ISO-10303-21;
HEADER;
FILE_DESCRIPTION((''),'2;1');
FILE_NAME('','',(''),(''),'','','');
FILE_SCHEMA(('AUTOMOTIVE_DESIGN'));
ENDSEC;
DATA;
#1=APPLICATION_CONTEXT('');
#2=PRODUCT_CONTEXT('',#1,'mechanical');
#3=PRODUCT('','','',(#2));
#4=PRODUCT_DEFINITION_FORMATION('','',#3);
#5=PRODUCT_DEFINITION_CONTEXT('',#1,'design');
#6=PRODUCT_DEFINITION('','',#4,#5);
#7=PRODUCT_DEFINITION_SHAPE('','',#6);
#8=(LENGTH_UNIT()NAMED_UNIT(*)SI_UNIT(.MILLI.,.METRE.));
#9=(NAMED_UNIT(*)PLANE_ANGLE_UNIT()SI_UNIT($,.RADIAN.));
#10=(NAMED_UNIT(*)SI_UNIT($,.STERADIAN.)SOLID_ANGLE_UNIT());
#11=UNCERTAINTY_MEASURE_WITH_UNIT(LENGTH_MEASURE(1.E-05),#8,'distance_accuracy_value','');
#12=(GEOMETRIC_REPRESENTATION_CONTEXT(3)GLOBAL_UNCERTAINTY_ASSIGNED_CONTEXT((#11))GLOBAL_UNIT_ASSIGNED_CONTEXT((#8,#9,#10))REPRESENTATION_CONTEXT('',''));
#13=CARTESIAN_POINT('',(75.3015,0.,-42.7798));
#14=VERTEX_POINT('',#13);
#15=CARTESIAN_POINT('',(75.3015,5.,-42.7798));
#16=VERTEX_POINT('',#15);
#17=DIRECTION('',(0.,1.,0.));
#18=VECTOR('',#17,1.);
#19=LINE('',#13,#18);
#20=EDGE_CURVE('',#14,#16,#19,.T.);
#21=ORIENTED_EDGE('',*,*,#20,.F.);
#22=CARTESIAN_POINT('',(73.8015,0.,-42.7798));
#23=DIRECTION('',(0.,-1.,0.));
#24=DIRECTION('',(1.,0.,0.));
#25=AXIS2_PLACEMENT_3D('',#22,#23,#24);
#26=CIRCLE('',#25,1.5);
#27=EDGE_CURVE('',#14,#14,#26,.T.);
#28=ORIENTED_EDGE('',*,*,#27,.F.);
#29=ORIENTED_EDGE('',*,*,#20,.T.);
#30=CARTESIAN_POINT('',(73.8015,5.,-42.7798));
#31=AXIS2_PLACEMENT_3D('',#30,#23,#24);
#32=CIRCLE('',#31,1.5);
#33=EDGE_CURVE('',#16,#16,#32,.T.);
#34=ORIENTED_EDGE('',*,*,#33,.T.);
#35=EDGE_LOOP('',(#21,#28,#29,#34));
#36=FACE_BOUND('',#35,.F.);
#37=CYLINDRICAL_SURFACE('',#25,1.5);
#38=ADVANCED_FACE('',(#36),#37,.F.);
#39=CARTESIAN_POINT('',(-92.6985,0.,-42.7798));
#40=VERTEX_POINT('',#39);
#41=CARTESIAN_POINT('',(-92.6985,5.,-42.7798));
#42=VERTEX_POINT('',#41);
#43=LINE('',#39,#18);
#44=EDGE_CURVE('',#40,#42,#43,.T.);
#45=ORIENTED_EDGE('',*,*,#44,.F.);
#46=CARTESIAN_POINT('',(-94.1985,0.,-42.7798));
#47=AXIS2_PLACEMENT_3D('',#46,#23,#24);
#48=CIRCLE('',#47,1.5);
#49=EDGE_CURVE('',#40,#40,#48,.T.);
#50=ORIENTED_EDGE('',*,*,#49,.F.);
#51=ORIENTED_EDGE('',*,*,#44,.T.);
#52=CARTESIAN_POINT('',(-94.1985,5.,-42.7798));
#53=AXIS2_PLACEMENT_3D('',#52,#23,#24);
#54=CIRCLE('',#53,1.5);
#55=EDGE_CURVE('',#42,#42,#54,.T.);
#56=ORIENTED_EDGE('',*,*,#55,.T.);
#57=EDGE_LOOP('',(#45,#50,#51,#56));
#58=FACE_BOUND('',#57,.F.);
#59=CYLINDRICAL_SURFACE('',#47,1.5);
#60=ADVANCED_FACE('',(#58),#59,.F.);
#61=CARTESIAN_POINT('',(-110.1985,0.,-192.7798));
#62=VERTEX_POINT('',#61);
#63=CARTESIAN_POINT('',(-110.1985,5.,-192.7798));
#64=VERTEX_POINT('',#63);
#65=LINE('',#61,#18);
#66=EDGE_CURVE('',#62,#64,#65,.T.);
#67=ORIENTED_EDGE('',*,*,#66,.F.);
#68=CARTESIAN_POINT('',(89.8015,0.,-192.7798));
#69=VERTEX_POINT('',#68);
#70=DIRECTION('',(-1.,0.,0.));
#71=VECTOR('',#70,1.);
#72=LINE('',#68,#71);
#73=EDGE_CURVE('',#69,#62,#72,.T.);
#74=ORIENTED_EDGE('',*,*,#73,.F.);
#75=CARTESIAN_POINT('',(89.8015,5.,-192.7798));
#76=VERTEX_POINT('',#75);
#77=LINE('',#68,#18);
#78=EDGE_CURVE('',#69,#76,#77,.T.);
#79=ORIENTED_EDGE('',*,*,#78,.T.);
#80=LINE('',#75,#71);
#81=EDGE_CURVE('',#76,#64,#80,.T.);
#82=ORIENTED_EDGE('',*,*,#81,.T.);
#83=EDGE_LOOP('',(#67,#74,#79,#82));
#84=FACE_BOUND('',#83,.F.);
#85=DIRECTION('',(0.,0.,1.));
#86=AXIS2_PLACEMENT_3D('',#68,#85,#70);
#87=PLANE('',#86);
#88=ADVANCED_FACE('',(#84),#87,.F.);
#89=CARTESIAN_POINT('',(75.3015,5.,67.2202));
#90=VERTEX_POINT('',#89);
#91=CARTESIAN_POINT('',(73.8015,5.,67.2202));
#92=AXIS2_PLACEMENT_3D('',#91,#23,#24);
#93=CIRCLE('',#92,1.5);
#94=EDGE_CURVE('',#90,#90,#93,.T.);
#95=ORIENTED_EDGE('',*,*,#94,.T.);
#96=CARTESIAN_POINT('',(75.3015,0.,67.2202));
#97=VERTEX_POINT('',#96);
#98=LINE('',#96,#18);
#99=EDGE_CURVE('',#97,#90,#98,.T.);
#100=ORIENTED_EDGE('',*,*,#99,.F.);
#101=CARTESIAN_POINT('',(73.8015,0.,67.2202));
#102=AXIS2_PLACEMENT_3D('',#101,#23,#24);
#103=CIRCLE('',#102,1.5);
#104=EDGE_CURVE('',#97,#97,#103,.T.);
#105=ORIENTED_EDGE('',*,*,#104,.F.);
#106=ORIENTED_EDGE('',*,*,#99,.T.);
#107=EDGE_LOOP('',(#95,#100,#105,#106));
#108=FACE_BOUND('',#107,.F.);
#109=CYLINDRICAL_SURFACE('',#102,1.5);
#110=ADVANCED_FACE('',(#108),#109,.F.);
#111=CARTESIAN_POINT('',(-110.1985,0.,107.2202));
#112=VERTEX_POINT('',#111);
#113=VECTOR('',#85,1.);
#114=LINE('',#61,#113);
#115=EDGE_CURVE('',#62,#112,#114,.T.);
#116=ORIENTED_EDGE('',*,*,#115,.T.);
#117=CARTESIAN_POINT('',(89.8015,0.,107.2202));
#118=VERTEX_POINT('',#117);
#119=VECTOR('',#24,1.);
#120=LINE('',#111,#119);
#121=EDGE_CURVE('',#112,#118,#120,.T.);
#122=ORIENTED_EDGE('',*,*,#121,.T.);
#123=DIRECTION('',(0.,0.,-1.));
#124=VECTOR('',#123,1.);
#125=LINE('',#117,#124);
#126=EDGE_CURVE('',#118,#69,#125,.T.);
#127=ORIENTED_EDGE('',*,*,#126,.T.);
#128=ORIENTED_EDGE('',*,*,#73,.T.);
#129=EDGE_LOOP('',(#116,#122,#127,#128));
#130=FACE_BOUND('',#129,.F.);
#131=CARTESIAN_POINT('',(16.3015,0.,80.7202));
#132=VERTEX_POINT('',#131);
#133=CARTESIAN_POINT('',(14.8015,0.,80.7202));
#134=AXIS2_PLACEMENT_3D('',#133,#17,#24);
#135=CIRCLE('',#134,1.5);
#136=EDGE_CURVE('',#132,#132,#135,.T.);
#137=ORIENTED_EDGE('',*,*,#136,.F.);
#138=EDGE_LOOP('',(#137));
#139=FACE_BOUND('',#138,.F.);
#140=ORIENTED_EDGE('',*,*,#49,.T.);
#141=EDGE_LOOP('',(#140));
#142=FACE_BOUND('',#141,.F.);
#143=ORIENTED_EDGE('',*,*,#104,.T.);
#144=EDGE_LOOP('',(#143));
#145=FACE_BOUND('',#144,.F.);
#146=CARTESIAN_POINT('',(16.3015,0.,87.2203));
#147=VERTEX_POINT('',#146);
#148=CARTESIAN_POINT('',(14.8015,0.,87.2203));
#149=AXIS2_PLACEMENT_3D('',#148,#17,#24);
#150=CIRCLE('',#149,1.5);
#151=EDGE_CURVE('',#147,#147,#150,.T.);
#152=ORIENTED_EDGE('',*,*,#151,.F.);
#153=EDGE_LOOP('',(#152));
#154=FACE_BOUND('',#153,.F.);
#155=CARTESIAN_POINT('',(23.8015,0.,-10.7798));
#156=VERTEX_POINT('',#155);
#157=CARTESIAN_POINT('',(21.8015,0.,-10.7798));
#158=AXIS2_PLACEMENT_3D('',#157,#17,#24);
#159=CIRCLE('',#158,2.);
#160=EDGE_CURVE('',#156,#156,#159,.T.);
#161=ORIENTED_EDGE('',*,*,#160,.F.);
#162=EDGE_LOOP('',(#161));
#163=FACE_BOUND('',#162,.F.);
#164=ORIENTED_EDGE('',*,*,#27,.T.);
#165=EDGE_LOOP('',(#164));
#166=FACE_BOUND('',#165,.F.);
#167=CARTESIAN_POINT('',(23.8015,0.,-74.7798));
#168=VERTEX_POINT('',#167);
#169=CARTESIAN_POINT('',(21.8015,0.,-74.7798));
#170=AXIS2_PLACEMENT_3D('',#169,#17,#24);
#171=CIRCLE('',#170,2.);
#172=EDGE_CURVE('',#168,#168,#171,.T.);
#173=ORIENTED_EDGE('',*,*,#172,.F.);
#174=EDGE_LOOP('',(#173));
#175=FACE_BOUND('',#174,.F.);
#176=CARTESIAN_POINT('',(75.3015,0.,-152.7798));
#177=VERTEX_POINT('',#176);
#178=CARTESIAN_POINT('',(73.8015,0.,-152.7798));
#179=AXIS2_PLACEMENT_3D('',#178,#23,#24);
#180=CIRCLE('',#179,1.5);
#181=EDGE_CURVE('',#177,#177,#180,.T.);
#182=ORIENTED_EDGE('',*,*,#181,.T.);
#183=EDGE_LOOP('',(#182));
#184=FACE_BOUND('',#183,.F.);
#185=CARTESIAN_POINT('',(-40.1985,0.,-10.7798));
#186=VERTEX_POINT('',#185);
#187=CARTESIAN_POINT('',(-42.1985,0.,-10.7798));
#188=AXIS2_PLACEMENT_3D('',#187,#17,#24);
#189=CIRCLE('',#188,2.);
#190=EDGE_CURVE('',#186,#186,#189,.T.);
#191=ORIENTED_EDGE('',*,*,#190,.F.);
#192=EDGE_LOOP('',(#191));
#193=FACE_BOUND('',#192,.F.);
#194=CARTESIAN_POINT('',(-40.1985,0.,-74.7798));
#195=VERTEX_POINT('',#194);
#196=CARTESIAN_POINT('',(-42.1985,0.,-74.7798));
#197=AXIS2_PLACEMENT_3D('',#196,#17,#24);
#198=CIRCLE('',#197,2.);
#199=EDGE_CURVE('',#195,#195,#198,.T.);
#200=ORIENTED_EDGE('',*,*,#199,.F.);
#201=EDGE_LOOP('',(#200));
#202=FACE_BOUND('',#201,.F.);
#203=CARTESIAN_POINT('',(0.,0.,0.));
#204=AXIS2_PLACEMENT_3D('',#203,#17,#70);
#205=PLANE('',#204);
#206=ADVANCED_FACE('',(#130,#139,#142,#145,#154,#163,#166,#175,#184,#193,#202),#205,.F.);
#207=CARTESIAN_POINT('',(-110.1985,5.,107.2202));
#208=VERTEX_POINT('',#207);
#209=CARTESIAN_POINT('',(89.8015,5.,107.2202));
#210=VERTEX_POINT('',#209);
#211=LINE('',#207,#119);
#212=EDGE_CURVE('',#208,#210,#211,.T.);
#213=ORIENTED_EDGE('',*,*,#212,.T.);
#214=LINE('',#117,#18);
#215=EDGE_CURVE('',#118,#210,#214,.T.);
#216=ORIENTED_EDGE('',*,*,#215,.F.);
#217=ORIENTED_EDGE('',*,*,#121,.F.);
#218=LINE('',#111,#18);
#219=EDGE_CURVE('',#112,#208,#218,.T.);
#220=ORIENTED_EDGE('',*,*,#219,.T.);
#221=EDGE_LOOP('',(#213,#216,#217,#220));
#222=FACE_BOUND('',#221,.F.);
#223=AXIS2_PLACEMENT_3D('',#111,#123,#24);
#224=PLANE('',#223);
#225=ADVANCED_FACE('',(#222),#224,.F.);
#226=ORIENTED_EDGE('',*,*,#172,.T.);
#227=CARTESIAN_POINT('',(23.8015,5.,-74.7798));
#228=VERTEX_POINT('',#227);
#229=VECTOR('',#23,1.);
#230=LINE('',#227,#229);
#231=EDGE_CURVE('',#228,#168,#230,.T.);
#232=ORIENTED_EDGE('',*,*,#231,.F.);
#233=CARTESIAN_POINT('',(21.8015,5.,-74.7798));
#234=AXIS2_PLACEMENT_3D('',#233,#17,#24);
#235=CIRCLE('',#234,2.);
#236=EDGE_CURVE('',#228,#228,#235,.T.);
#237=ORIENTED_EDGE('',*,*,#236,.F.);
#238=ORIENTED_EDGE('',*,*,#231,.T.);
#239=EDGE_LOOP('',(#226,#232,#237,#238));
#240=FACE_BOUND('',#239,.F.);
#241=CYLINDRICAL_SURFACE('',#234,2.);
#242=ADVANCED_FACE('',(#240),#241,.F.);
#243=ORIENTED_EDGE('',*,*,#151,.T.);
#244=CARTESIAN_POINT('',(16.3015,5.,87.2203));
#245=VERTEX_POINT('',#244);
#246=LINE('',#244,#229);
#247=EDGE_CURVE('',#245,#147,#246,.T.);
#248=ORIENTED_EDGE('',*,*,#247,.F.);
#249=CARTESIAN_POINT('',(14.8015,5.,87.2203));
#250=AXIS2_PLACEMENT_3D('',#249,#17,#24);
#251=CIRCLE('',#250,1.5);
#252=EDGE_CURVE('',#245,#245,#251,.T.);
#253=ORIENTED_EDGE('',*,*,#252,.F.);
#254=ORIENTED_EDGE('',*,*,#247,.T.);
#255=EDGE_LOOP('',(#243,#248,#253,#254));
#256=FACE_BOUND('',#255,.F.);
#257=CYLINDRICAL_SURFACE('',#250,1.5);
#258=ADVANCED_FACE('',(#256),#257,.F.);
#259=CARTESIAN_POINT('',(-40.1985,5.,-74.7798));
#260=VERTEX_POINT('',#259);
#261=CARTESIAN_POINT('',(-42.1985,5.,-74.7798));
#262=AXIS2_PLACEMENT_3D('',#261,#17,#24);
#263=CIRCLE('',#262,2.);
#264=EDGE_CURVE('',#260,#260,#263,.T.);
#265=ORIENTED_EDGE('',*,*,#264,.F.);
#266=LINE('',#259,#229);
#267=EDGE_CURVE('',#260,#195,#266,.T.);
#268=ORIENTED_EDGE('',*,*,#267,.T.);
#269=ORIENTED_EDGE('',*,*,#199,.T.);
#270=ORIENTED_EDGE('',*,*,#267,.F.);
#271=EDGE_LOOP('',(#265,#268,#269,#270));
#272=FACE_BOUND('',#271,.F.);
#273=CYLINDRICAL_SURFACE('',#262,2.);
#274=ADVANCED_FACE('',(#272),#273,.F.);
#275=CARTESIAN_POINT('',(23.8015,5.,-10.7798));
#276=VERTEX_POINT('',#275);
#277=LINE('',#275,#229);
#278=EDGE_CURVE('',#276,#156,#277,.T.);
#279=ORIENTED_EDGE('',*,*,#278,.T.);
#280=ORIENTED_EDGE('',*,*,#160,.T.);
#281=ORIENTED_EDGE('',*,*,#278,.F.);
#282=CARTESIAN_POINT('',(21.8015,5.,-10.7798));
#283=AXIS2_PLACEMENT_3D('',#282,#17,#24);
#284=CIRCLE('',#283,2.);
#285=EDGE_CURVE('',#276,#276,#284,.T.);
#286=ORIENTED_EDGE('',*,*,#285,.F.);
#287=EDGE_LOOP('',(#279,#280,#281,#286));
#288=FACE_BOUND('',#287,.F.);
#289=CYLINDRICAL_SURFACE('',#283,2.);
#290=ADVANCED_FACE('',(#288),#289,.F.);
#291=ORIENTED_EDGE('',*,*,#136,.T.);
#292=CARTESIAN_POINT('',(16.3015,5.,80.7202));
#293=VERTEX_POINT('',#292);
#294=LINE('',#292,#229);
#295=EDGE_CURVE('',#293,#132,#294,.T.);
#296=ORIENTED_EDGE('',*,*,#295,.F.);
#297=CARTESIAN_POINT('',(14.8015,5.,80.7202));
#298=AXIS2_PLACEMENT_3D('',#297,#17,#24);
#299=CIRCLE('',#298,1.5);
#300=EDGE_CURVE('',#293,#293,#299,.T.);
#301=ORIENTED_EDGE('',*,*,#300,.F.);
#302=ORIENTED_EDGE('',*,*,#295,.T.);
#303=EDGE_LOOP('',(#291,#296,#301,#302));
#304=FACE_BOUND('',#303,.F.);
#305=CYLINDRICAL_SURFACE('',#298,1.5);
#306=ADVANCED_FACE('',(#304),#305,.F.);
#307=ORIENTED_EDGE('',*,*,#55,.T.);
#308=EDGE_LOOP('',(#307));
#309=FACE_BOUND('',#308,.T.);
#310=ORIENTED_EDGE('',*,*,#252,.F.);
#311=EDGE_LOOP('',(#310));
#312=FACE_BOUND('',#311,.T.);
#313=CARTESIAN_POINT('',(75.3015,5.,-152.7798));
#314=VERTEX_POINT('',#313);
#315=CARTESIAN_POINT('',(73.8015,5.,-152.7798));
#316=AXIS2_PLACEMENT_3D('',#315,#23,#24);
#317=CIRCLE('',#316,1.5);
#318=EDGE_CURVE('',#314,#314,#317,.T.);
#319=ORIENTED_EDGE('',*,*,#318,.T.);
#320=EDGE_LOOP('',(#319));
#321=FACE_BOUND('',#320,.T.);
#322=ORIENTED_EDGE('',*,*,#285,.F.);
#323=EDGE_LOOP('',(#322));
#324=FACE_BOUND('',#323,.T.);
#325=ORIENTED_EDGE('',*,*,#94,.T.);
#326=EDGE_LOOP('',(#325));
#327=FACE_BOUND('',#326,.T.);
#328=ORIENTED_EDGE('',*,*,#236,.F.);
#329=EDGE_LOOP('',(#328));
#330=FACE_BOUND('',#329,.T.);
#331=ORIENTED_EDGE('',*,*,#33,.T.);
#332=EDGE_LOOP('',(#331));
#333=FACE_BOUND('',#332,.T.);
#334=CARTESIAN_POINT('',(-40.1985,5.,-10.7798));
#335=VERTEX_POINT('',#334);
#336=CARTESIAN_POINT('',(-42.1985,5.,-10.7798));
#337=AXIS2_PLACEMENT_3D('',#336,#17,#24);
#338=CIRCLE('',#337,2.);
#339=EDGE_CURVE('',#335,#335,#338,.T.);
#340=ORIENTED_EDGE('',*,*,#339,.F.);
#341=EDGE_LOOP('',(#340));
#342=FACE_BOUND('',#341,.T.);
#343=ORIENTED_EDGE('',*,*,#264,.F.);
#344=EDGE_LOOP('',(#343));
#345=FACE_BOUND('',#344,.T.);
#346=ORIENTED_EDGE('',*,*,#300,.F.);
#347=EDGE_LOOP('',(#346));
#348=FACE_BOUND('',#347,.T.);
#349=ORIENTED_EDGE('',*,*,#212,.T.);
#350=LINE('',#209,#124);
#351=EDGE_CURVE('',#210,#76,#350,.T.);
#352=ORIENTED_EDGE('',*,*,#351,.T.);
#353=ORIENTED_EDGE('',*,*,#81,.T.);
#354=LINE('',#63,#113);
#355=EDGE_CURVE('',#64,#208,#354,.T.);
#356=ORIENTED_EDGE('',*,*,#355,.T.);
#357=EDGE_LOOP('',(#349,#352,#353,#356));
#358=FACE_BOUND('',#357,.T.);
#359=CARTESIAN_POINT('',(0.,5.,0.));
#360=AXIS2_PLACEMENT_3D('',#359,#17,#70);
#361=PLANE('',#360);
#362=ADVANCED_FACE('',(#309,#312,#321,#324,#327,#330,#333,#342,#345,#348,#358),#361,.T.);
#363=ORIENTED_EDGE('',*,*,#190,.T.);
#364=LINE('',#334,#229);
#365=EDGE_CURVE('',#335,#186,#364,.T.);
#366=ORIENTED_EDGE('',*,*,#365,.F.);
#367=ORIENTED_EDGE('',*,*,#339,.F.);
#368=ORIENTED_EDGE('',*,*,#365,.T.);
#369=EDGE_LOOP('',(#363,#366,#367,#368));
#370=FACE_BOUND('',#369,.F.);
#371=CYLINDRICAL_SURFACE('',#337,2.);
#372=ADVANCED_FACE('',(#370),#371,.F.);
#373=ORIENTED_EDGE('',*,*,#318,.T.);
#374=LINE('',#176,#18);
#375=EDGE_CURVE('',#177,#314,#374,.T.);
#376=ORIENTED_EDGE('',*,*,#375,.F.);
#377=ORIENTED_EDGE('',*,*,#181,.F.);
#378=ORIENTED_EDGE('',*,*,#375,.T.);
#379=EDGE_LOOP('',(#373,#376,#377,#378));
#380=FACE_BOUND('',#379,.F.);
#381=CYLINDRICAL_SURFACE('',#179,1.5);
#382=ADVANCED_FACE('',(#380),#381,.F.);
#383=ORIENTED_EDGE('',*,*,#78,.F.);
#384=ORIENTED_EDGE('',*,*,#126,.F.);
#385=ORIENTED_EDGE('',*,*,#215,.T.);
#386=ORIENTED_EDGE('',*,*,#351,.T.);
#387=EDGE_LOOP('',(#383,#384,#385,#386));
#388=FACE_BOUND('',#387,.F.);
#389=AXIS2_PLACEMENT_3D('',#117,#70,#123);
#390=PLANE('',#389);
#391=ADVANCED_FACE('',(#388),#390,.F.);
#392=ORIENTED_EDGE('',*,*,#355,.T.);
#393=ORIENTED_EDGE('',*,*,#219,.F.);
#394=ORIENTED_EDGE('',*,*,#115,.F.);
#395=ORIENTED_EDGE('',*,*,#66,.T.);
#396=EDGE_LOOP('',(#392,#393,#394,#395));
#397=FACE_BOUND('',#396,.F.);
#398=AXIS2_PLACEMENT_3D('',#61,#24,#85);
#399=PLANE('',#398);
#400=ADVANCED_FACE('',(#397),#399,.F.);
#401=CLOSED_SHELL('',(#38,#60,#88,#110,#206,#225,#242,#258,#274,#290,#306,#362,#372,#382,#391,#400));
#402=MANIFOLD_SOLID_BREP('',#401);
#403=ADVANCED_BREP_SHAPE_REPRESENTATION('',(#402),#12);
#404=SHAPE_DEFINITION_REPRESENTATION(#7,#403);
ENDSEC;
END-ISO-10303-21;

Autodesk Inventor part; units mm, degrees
ref_plane "YZ Plane" through (0, 0, 0) normal (1, 0, 0) x (0, 1, 0)
ref_plane "XZ Plane" through (0, 0, 0) normal (0, 1, 0) x (-1, 0, 0)
ref_plane "XY Plane" through (0, 0, 0) normal (0, 0, 1) x (1, 0, 0)
sketch "Esquisse1" plane through (0, 0, 0) normal (0, 1, 0) x (-1, 0, 0)
  line L0 (110.1985, 107.2202) -> (-89.8015, 107.2202)
  line L1 (-89.8015, 107.2202) -> (-89.8015, -192.7798)
  line L2 (-89.8015, -192.7798) -> (110.1985, -192.7798)
  line L3 (110.1985, -192.7798) -> (110.1985, 107.2202)
  point P0 (0, 0)
  dimension "d0" = 300
  dimension "d1" = 200
extrude "Extrusion1" add sketch "Esquisse1" along normal blind 5
sketch "Esquisse2" plane through (0, 0, 0) normal (0, -1, 0) x (1, 0, 0)
  circle A0 centre (-94.1985, -42.7798) radius 1.5
  circle A1 centre (73.8015, -42.7798) radius 1.5
  circle A2 centre (73.8015, 67.2202) radius 1.5
  circle A3 centre (73.8015, -152.7798) radius 1.5
  line L0 (-110.1985, -192.7798) -> (-110.1985, 107.2202) projected
  line L1 (89.8015, -192.7798) -> (-110.1985, -192.7798) projected
  line L2 (89.8015, 107.2202) -> (89.8015, -192.7798) projected
  line L3 (-110.1985, 107.2202) -> (89.8015, 107.2202) projected
  point P0 (0, 0)
  dimension "d4" = 16
  dimension "d5" = 150
  dimension "d6" = 16
  dimension "d7" = 16
  dimension "d8" = 16
  dimension "d9" = 40
  dimension "d10" = 150
  dimension "d11" = 40
extrude "Extrusion2" cut sketch "Esquisse2" against normal through all contours A0 | A1 | A2 | A3
sketch "Sketch4" plane through (0, 5, 0) normal (0, 1, 0) x (1, 0, 0)
  circle A0 centre (14.8015, -80.7202) radius 1.5 projected
  circle A1 centre (14.8015, -87.2203) radius 1.5 projected
  circle A2 centre (21.8015, 10.7798) radius 2 projected
  circle A3 centre (-42.1985, 10.7798) radius 2 projected
  circle A4 centre (-42.1985, 74.7798) radius 2 projected
  circle A5 centre (21.8015, 74.7798) radius 2 projected
  point P0 (0, 0)
extrude "Extrusion4" cut sketch "Sketch4" against normal through all
properties part number "toit"
